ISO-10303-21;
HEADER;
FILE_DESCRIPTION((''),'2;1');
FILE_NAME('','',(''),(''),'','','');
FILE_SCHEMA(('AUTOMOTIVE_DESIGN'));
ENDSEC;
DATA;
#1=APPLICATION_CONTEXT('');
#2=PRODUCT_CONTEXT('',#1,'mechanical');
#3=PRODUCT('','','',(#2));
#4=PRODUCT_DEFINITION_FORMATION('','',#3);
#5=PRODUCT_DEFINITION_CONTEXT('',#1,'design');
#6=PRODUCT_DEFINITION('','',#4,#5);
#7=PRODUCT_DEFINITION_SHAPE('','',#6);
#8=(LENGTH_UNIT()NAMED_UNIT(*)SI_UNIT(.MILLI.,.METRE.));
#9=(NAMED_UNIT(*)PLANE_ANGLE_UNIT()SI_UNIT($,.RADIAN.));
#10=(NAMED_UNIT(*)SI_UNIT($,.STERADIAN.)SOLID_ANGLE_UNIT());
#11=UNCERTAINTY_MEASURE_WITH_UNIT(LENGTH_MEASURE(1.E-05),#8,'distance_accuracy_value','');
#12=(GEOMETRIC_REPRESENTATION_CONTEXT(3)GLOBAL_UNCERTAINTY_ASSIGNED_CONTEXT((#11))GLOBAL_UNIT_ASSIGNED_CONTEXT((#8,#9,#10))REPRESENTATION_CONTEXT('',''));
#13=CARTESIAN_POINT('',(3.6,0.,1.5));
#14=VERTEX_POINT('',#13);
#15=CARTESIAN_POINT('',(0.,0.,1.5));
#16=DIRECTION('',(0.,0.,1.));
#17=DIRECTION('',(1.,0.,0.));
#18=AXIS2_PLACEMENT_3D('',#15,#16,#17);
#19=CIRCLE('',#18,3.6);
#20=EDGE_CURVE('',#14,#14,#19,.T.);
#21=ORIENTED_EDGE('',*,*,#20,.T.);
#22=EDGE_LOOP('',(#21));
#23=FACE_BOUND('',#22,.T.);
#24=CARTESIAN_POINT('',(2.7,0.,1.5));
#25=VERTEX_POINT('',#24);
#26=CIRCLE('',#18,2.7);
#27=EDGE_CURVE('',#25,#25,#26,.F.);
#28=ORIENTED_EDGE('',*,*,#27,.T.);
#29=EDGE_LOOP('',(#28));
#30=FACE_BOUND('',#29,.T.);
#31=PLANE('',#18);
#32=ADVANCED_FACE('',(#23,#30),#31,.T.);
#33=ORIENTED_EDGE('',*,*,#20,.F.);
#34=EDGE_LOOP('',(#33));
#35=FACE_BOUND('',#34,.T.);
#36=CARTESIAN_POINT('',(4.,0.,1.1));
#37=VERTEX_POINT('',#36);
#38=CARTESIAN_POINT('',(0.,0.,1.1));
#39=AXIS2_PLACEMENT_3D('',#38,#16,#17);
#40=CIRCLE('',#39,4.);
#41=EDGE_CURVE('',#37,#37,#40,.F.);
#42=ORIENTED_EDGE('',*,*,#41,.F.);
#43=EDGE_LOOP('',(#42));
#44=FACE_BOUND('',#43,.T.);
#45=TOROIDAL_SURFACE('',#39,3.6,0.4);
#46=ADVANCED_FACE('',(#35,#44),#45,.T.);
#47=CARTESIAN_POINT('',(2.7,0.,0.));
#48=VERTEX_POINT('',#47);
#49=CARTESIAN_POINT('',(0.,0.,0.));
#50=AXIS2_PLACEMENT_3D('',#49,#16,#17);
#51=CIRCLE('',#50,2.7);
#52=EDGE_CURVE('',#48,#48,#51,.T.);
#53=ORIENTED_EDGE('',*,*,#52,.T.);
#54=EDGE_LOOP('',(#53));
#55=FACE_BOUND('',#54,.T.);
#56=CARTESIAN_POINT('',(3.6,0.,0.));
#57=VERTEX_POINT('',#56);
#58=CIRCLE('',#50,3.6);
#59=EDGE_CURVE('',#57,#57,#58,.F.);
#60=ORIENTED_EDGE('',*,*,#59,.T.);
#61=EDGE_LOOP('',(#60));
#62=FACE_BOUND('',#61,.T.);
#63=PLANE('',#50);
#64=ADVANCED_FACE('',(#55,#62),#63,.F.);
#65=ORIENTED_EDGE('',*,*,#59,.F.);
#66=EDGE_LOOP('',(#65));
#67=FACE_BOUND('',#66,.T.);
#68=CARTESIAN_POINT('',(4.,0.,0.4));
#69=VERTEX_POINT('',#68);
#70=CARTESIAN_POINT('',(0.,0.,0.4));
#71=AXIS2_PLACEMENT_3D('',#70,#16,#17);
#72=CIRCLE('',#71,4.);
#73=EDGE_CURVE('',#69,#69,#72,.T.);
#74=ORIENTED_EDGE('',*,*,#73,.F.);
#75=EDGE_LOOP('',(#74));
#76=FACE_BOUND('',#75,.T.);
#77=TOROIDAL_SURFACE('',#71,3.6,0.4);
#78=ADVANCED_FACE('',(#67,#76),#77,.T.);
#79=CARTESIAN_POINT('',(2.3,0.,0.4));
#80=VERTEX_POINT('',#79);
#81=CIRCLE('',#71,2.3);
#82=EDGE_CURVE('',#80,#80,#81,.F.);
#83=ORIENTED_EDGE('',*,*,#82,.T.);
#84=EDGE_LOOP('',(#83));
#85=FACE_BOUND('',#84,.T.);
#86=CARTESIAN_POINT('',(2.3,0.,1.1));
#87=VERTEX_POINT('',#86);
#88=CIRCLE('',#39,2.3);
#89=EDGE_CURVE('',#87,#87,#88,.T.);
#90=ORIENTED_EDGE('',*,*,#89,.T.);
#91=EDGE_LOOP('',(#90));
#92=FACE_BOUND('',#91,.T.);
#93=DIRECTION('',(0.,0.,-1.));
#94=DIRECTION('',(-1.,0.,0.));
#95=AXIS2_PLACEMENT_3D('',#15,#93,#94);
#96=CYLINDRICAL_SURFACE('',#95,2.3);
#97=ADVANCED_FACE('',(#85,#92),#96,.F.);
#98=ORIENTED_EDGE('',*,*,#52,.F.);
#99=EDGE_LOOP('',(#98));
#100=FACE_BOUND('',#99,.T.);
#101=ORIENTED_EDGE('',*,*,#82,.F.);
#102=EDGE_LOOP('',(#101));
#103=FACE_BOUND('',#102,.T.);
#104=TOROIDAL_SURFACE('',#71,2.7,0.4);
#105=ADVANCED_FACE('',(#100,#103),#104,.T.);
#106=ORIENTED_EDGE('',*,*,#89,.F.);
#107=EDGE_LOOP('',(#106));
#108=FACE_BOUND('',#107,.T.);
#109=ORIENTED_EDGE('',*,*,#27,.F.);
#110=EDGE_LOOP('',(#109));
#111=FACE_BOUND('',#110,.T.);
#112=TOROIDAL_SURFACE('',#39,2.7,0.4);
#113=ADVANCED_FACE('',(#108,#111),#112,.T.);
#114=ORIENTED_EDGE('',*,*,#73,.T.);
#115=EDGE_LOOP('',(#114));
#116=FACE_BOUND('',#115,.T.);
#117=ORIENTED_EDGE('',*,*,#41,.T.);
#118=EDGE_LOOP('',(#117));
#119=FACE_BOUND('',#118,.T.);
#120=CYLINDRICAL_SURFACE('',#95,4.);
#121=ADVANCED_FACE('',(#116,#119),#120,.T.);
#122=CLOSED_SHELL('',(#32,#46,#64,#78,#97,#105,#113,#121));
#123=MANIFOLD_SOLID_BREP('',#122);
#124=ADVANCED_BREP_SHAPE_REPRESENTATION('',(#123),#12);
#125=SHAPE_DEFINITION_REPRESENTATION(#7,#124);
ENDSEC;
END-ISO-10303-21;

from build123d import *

# Parameters (mm, degrees)
SKETCH2_R           = 4
SKETCH2_R_2         = 2.3
BOSS_EXTRUDE1_DEPTH = 1.5
FILLET1_R           = 0.4


with BuildPart() as part:
    # Sketch2 → Boss-Extrude1 (new body)
    with BuildSketch(Plane.XY):
        Circle(SKETCH2_R)
        Circle(SKETCH2_R_2, mode=Mode.SUBTRACT)
    extrude(amount=BOSS_EXTRUDE1_DEPTH)

    # Fillet1
    fillet1_edges = [part.edges().sort_by_distance(p)[0] for p in [
        (-4, 0, 0),
        (-4, 0, 1.5),
        (-2.3, 0, 0),
        (-2.3, 0, 1.5),
    ]]
    fillet(fillet1_edges, radius=FILLET1_R)


solid = part.part
